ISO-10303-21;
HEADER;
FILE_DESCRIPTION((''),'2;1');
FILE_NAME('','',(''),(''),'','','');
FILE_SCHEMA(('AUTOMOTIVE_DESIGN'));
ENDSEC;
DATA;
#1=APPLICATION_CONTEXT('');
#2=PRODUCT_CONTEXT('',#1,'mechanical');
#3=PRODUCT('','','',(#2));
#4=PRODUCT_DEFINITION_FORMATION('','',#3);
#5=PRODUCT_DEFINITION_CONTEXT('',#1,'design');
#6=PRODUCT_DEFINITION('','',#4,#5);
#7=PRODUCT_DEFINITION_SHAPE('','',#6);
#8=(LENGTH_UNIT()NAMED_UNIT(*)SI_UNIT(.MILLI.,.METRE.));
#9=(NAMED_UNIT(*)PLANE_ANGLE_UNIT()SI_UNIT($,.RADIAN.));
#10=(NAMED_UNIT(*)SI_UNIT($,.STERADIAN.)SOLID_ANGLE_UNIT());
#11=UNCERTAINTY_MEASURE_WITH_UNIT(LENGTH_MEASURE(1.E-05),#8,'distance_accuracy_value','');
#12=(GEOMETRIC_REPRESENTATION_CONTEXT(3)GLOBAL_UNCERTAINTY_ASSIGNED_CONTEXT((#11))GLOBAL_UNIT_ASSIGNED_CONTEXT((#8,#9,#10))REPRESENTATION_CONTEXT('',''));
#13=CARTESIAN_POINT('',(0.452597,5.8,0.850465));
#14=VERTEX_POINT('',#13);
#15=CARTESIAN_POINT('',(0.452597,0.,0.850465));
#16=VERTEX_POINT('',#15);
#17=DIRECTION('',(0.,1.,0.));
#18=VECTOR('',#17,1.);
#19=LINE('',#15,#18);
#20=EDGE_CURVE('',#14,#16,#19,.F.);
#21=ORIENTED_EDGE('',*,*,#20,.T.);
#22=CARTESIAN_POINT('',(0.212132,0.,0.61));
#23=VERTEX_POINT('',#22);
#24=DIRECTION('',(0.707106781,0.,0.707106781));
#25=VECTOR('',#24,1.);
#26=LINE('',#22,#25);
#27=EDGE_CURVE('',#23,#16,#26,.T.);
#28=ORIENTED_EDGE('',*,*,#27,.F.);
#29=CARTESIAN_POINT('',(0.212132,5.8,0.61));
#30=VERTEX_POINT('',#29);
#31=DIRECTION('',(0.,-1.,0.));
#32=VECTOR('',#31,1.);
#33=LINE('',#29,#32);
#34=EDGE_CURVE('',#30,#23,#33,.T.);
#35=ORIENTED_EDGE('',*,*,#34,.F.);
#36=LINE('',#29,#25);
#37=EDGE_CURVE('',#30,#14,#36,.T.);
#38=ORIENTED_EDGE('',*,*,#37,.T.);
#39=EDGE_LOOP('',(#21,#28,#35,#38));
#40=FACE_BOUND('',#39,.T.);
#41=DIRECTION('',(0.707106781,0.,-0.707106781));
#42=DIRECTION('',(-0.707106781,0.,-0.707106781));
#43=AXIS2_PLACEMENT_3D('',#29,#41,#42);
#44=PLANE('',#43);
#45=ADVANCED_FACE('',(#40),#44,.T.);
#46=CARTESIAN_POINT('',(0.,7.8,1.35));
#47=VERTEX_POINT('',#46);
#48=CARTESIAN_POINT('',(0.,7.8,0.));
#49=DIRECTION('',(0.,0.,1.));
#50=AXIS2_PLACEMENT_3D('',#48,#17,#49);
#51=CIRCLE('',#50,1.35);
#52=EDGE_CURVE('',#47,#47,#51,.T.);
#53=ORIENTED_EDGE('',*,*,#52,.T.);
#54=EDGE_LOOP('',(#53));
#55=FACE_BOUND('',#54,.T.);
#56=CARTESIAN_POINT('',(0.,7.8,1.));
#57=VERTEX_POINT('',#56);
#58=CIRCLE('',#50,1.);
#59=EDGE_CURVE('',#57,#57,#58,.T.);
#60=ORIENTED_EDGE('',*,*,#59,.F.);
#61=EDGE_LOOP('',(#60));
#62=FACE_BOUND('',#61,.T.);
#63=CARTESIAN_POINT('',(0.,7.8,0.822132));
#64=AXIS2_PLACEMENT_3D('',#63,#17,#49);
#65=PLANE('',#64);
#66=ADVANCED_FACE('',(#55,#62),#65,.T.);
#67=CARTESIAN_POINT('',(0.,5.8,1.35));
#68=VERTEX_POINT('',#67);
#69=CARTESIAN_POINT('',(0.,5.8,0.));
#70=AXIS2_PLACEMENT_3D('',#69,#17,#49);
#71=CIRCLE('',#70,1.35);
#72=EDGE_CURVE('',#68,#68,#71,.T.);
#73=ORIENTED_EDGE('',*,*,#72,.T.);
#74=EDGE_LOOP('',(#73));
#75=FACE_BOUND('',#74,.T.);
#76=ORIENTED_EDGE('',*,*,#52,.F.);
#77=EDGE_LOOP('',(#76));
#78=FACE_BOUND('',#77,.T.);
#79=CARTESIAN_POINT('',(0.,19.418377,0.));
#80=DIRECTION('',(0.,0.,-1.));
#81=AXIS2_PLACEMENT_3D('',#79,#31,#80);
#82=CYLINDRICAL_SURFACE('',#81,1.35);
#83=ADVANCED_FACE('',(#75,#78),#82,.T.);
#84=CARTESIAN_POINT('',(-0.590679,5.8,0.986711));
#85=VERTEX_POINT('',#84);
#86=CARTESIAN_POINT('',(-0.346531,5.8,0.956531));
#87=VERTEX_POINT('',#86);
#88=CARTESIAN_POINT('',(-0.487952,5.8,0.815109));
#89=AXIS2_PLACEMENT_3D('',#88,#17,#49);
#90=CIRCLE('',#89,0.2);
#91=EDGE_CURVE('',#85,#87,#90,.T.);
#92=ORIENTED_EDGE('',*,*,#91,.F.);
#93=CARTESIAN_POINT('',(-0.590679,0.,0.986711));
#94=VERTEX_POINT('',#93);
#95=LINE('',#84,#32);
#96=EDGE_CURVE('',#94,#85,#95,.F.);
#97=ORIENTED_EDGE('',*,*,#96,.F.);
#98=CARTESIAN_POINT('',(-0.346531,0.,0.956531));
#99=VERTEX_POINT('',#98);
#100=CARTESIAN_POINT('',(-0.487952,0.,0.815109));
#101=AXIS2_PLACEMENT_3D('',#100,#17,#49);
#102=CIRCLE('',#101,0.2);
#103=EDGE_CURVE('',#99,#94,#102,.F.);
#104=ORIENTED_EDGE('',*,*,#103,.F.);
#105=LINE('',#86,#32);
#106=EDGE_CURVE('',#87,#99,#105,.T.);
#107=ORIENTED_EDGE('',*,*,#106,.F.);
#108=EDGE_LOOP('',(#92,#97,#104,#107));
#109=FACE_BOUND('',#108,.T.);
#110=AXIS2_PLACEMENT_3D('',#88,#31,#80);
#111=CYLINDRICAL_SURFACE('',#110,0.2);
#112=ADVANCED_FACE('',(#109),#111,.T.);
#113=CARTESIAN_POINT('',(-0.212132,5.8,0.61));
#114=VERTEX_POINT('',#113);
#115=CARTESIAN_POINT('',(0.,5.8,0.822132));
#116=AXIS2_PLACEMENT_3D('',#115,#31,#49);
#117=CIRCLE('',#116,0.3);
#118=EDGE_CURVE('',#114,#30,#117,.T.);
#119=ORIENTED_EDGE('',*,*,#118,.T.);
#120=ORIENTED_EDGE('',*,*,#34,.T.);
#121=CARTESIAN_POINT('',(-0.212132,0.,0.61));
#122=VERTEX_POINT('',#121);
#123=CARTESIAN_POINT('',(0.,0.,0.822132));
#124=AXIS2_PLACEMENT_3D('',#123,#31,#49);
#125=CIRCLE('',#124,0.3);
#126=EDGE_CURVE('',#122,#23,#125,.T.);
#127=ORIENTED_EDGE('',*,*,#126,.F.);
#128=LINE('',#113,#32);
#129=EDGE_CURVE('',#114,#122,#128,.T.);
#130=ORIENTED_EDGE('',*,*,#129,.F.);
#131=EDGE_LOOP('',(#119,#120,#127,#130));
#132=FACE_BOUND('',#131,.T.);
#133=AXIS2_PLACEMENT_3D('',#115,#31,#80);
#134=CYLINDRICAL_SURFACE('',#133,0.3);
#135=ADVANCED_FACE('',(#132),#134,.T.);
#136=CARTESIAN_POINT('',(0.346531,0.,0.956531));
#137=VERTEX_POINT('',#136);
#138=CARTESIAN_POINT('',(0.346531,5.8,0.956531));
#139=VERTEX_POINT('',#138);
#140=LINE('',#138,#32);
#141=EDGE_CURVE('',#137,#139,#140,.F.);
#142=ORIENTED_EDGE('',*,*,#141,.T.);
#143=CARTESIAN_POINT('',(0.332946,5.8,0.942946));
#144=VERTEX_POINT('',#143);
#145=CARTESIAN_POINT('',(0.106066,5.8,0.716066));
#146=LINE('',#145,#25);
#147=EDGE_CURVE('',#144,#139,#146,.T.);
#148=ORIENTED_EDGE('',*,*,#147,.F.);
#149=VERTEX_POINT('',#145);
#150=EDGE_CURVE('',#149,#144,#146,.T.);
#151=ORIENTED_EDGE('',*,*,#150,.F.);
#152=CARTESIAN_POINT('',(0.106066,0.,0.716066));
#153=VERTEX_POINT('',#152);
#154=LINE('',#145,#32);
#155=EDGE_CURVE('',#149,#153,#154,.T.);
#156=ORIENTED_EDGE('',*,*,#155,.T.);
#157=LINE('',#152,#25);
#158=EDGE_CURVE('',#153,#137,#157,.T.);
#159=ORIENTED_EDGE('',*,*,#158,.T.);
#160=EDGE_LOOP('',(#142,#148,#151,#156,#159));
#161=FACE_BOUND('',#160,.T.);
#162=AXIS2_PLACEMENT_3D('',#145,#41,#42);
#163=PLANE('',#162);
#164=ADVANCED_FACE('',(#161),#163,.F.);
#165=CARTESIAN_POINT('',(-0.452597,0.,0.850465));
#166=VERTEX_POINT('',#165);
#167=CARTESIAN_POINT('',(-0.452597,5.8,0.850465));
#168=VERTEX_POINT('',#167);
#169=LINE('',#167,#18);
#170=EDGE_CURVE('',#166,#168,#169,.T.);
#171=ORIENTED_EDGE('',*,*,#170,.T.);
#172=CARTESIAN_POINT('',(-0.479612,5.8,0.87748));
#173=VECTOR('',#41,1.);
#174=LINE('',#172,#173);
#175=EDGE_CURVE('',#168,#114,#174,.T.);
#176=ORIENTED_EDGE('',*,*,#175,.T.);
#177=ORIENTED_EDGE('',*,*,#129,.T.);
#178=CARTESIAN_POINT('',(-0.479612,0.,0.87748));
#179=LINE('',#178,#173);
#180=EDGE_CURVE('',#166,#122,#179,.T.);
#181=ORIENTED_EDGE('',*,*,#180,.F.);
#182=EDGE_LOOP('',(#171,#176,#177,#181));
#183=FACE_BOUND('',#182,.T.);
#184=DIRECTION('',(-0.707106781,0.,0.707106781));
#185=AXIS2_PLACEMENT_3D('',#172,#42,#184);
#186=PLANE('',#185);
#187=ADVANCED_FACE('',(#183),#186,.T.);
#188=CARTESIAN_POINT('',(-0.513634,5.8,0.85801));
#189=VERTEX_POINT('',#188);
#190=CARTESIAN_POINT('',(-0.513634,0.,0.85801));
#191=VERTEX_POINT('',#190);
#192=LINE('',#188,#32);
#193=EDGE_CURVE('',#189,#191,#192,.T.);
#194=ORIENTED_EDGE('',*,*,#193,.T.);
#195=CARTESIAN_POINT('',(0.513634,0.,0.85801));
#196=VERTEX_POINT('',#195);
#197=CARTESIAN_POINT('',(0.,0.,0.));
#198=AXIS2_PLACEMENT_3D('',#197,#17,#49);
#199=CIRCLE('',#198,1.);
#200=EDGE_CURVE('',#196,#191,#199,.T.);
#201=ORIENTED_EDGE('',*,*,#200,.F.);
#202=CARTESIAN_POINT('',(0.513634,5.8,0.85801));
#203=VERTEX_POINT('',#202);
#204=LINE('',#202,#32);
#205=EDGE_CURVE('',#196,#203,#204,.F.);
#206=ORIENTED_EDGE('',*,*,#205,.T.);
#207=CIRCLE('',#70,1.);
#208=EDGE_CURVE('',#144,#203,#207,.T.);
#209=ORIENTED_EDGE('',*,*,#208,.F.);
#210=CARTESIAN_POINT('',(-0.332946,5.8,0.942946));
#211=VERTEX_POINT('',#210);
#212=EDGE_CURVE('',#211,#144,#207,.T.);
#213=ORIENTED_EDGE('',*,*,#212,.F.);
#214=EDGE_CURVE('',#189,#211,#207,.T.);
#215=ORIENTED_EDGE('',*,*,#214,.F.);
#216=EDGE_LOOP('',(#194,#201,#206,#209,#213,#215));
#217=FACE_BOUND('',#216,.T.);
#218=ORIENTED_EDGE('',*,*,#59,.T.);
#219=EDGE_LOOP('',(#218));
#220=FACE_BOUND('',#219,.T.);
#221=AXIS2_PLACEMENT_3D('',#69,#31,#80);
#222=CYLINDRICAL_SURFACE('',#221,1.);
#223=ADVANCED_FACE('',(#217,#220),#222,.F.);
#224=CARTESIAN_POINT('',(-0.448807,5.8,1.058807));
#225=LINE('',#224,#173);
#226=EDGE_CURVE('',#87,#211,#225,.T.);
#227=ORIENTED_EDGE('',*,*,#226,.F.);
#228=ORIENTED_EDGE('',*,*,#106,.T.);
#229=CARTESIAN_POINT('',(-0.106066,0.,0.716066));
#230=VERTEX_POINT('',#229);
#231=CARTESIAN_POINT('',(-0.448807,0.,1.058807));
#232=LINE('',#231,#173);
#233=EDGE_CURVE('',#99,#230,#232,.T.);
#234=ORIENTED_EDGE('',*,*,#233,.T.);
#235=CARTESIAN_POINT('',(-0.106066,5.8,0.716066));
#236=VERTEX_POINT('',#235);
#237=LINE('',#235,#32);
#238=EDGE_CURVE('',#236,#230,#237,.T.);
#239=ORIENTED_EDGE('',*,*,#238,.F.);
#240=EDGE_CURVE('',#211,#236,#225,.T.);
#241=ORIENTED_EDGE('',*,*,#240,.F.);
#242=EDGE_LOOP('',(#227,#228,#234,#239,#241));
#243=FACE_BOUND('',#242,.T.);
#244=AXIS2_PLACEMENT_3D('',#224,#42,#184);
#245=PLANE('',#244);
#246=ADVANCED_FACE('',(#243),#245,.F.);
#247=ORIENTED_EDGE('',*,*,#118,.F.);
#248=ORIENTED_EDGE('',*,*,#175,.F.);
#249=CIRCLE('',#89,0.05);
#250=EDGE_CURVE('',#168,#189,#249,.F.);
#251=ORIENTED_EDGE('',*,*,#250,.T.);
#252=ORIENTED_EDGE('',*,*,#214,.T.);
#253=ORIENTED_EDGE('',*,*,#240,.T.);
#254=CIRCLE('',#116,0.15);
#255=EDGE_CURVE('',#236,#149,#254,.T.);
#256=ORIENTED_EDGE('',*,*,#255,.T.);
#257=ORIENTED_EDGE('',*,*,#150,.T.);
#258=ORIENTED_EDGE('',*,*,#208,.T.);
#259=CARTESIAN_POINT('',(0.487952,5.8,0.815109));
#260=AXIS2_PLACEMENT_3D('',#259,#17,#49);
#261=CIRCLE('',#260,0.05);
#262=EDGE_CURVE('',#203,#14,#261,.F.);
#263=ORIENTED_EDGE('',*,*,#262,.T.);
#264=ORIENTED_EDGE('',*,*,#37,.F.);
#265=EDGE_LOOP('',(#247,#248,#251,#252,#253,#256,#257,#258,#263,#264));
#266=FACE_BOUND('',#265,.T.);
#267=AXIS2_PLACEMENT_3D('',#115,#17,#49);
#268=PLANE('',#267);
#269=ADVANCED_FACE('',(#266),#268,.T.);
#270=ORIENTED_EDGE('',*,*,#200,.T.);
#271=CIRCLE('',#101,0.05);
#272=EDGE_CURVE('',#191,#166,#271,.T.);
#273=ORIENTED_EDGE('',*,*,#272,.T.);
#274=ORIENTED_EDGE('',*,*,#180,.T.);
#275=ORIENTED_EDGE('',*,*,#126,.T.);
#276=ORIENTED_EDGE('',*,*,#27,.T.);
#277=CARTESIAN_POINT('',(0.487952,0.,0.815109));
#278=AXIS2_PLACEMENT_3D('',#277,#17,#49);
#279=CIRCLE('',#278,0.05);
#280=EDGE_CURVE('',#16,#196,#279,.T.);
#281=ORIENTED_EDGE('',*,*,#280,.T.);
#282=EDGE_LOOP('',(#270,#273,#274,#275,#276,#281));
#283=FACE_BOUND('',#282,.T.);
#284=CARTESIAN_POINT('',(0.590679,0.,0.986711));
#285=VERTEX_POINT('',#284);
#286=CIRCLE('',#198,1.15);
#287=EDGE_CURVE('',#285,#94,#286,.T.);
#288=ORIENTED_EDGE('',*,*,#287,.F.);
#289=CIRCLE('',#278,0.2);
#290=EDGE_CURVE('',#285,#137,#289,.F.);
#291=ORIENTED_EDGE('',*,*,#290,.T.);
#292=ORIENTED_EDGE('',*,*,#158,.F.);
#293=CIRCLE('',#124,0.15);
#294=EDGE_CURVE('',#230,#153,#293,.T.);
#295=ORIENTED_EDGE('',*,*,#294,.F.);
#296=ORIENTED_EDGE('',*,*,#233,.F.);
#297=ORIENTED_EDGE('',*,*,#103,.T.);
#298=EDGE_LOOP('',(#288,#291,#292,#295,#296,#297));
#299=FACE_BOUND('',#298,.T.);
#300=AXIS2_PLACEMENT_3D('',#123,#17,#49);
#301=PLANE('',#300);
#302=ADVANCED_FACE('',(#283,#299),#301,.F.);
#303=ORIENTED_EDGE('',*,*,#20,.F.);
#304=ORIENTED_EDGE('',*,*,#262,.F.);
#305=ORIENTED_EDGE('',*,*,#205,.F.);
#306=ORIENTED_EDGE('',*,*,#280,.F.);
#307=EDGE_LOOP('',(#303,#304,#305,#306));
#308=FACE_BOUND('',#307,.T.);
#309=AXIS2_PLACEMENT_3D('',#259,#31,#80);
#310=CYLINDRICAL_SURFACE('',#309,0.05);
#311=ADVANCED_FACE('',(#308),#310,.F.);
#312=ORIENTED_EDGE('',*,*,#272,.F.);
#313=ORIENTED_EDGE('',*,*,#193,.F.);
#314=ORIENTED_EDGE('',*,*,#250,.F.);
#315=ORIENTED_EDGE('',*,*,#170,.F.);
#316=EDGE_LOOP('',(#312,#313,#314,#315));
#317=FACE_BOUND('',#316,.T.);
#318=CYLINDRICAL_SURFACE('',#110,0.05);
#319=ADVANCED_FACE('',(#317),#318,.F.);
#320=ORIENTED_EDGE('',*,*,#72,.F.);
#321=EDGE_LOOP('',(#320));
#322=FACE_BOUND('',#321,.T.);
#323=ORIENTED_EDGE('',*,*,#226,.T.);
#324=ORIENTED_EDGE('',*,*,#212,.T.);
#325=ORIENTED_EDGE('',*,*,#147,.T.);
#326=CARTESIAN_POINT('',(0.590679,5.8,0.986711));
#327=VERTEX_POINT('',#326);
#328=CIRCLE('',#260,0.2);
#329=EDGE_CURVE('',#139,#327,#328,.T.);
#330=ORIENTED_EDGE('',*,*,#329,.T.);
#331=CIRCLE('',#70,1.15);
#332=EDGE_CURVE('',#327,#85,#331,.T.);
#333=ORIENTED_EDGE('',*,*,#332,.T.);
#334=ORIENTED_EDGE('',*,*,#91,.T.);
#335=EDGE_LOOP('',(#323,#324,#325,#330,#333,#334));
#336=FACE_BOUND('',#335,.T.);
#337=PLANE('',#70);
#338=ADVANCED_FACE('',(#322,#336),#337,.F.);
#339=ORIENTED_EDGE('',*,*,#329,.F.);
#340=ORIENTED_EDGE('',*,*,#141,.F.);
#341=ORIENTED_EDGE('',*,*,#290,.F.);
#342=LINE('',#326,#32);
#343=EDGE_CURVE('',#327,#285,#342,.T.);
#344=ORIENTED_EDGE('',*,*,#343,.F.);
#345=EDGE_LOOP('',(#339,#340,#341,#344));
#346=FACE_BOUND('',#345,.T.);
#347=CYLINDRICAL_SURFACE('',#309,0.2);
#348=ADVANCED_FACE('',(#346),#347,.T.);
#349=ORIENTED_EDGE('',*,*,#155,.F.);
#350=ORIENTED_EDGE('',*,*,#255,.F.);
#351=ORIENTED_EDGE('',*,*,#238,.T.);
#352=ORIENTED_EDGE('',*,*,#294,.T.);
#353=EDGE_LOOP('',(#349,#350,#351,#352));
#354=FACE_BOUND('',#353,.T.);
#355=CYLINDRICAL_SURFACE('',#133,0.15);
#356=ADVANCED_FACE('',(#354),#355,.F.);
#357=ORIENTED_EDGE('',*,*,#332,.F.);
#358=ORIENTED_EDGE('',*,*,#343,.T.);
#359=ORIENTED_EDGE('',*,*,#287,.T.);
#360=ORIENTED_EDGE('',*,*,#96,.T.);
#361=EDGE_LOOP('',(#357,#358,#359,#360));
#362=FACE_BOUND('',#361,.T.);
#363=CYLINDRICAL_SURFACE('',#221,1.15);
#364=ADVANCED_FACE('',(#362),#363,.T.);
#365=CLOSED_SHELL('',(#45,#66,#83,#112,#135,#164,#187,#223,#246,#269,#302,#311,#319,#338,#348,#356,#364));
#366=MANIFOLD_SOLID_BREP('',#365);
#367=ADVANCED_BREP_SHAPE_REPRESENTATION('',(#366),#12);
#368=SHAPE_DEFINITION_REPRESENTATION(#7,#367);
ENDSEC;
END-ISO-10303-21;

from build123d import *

# Parameters (mm, degrees)
BOSS_EXTRUDE1_DEPTH = 5.8
FILLET1_R           = 0.05
FILLET2_R           = 0.2
SKETCH2_R           = 1.35
SKETCH2_R_2         = 1
BOSS_EXTRUDE2_DEPTH = 2


with BuildPart() as part:
    # Sketch1 → Boss-Extrude1 (new body)
    with BuildSketch(Plane(origin=(0, 0, 0), x_dir=(1, 0, 0), z_dir=(0, 1, 0))):
        with BuildLine():
            Line((-0.448807004, -1.058807004), (-0.106066017, -0.716066017))
            ThreePointArc((-0.106066017, -0.716066017), (0, -0.672132034), (0.106066017, -0.716066017))
            Line((0.106066017, -0.716066017), (0.448807004, -1.058807004))
            ThreePointArc((0.448807004, -1.058807004), (0, 1.15), (-0.448807004, -1.058807004))
        make_face()
        with BuildLine():
            Line((-0.479612457, -0.877480422), (-0.212132034, -0.61))
            ThreePointArc((-0.212132034, -0.61), (0, -0.522132034), (0.212132034, -0.61))
            Line((0.212132034, -0.61), (0.479612457, -0.877480422))
            ThreePointArc((0.479612457, -0.877480422), (0, 1), (-0.479612457, -0.877480422))
        make_face(mode=Mode.SUBTRACT)
    extrude(amount=BOSS_EXTRUDE1_DEPTH)

    # Fillet1
    fillet1_edges = [part.edges().sort_by_distance(p)[0] for p in [
        (0.479612457, 2.9, 0.877480422),
        (-0.479612457, 2.9, 0.877480422),
    ]]
    fillet(fillet1_edges, radius=FILLET1_R)

    # Fillet2
    fillet2_edges = [part.edges().sort_by_distance(p)[0] for p in [
        (-0.448807004, 2.9, 1.058807004),
        (0.448807004, 2.9, 1.058807004),
    ]]
    fillet(fillet2_edges, radius=FILLET2_R)

    # Sketch2 → Boss-Extrude2 (add)
    with BuildSketch(Plane(origin=(0, 5.8, 0), x_dir=(1, 0, 0), z_dir=(0, 1, 0))):
        Circle(SKETCH2_R)
        Circle(SKETCH2_R_2, mode=Mode.SUBTRACT)
    extrude(amount=BOSS_EXTRUDE2_DEPTH)


solid = part.part
